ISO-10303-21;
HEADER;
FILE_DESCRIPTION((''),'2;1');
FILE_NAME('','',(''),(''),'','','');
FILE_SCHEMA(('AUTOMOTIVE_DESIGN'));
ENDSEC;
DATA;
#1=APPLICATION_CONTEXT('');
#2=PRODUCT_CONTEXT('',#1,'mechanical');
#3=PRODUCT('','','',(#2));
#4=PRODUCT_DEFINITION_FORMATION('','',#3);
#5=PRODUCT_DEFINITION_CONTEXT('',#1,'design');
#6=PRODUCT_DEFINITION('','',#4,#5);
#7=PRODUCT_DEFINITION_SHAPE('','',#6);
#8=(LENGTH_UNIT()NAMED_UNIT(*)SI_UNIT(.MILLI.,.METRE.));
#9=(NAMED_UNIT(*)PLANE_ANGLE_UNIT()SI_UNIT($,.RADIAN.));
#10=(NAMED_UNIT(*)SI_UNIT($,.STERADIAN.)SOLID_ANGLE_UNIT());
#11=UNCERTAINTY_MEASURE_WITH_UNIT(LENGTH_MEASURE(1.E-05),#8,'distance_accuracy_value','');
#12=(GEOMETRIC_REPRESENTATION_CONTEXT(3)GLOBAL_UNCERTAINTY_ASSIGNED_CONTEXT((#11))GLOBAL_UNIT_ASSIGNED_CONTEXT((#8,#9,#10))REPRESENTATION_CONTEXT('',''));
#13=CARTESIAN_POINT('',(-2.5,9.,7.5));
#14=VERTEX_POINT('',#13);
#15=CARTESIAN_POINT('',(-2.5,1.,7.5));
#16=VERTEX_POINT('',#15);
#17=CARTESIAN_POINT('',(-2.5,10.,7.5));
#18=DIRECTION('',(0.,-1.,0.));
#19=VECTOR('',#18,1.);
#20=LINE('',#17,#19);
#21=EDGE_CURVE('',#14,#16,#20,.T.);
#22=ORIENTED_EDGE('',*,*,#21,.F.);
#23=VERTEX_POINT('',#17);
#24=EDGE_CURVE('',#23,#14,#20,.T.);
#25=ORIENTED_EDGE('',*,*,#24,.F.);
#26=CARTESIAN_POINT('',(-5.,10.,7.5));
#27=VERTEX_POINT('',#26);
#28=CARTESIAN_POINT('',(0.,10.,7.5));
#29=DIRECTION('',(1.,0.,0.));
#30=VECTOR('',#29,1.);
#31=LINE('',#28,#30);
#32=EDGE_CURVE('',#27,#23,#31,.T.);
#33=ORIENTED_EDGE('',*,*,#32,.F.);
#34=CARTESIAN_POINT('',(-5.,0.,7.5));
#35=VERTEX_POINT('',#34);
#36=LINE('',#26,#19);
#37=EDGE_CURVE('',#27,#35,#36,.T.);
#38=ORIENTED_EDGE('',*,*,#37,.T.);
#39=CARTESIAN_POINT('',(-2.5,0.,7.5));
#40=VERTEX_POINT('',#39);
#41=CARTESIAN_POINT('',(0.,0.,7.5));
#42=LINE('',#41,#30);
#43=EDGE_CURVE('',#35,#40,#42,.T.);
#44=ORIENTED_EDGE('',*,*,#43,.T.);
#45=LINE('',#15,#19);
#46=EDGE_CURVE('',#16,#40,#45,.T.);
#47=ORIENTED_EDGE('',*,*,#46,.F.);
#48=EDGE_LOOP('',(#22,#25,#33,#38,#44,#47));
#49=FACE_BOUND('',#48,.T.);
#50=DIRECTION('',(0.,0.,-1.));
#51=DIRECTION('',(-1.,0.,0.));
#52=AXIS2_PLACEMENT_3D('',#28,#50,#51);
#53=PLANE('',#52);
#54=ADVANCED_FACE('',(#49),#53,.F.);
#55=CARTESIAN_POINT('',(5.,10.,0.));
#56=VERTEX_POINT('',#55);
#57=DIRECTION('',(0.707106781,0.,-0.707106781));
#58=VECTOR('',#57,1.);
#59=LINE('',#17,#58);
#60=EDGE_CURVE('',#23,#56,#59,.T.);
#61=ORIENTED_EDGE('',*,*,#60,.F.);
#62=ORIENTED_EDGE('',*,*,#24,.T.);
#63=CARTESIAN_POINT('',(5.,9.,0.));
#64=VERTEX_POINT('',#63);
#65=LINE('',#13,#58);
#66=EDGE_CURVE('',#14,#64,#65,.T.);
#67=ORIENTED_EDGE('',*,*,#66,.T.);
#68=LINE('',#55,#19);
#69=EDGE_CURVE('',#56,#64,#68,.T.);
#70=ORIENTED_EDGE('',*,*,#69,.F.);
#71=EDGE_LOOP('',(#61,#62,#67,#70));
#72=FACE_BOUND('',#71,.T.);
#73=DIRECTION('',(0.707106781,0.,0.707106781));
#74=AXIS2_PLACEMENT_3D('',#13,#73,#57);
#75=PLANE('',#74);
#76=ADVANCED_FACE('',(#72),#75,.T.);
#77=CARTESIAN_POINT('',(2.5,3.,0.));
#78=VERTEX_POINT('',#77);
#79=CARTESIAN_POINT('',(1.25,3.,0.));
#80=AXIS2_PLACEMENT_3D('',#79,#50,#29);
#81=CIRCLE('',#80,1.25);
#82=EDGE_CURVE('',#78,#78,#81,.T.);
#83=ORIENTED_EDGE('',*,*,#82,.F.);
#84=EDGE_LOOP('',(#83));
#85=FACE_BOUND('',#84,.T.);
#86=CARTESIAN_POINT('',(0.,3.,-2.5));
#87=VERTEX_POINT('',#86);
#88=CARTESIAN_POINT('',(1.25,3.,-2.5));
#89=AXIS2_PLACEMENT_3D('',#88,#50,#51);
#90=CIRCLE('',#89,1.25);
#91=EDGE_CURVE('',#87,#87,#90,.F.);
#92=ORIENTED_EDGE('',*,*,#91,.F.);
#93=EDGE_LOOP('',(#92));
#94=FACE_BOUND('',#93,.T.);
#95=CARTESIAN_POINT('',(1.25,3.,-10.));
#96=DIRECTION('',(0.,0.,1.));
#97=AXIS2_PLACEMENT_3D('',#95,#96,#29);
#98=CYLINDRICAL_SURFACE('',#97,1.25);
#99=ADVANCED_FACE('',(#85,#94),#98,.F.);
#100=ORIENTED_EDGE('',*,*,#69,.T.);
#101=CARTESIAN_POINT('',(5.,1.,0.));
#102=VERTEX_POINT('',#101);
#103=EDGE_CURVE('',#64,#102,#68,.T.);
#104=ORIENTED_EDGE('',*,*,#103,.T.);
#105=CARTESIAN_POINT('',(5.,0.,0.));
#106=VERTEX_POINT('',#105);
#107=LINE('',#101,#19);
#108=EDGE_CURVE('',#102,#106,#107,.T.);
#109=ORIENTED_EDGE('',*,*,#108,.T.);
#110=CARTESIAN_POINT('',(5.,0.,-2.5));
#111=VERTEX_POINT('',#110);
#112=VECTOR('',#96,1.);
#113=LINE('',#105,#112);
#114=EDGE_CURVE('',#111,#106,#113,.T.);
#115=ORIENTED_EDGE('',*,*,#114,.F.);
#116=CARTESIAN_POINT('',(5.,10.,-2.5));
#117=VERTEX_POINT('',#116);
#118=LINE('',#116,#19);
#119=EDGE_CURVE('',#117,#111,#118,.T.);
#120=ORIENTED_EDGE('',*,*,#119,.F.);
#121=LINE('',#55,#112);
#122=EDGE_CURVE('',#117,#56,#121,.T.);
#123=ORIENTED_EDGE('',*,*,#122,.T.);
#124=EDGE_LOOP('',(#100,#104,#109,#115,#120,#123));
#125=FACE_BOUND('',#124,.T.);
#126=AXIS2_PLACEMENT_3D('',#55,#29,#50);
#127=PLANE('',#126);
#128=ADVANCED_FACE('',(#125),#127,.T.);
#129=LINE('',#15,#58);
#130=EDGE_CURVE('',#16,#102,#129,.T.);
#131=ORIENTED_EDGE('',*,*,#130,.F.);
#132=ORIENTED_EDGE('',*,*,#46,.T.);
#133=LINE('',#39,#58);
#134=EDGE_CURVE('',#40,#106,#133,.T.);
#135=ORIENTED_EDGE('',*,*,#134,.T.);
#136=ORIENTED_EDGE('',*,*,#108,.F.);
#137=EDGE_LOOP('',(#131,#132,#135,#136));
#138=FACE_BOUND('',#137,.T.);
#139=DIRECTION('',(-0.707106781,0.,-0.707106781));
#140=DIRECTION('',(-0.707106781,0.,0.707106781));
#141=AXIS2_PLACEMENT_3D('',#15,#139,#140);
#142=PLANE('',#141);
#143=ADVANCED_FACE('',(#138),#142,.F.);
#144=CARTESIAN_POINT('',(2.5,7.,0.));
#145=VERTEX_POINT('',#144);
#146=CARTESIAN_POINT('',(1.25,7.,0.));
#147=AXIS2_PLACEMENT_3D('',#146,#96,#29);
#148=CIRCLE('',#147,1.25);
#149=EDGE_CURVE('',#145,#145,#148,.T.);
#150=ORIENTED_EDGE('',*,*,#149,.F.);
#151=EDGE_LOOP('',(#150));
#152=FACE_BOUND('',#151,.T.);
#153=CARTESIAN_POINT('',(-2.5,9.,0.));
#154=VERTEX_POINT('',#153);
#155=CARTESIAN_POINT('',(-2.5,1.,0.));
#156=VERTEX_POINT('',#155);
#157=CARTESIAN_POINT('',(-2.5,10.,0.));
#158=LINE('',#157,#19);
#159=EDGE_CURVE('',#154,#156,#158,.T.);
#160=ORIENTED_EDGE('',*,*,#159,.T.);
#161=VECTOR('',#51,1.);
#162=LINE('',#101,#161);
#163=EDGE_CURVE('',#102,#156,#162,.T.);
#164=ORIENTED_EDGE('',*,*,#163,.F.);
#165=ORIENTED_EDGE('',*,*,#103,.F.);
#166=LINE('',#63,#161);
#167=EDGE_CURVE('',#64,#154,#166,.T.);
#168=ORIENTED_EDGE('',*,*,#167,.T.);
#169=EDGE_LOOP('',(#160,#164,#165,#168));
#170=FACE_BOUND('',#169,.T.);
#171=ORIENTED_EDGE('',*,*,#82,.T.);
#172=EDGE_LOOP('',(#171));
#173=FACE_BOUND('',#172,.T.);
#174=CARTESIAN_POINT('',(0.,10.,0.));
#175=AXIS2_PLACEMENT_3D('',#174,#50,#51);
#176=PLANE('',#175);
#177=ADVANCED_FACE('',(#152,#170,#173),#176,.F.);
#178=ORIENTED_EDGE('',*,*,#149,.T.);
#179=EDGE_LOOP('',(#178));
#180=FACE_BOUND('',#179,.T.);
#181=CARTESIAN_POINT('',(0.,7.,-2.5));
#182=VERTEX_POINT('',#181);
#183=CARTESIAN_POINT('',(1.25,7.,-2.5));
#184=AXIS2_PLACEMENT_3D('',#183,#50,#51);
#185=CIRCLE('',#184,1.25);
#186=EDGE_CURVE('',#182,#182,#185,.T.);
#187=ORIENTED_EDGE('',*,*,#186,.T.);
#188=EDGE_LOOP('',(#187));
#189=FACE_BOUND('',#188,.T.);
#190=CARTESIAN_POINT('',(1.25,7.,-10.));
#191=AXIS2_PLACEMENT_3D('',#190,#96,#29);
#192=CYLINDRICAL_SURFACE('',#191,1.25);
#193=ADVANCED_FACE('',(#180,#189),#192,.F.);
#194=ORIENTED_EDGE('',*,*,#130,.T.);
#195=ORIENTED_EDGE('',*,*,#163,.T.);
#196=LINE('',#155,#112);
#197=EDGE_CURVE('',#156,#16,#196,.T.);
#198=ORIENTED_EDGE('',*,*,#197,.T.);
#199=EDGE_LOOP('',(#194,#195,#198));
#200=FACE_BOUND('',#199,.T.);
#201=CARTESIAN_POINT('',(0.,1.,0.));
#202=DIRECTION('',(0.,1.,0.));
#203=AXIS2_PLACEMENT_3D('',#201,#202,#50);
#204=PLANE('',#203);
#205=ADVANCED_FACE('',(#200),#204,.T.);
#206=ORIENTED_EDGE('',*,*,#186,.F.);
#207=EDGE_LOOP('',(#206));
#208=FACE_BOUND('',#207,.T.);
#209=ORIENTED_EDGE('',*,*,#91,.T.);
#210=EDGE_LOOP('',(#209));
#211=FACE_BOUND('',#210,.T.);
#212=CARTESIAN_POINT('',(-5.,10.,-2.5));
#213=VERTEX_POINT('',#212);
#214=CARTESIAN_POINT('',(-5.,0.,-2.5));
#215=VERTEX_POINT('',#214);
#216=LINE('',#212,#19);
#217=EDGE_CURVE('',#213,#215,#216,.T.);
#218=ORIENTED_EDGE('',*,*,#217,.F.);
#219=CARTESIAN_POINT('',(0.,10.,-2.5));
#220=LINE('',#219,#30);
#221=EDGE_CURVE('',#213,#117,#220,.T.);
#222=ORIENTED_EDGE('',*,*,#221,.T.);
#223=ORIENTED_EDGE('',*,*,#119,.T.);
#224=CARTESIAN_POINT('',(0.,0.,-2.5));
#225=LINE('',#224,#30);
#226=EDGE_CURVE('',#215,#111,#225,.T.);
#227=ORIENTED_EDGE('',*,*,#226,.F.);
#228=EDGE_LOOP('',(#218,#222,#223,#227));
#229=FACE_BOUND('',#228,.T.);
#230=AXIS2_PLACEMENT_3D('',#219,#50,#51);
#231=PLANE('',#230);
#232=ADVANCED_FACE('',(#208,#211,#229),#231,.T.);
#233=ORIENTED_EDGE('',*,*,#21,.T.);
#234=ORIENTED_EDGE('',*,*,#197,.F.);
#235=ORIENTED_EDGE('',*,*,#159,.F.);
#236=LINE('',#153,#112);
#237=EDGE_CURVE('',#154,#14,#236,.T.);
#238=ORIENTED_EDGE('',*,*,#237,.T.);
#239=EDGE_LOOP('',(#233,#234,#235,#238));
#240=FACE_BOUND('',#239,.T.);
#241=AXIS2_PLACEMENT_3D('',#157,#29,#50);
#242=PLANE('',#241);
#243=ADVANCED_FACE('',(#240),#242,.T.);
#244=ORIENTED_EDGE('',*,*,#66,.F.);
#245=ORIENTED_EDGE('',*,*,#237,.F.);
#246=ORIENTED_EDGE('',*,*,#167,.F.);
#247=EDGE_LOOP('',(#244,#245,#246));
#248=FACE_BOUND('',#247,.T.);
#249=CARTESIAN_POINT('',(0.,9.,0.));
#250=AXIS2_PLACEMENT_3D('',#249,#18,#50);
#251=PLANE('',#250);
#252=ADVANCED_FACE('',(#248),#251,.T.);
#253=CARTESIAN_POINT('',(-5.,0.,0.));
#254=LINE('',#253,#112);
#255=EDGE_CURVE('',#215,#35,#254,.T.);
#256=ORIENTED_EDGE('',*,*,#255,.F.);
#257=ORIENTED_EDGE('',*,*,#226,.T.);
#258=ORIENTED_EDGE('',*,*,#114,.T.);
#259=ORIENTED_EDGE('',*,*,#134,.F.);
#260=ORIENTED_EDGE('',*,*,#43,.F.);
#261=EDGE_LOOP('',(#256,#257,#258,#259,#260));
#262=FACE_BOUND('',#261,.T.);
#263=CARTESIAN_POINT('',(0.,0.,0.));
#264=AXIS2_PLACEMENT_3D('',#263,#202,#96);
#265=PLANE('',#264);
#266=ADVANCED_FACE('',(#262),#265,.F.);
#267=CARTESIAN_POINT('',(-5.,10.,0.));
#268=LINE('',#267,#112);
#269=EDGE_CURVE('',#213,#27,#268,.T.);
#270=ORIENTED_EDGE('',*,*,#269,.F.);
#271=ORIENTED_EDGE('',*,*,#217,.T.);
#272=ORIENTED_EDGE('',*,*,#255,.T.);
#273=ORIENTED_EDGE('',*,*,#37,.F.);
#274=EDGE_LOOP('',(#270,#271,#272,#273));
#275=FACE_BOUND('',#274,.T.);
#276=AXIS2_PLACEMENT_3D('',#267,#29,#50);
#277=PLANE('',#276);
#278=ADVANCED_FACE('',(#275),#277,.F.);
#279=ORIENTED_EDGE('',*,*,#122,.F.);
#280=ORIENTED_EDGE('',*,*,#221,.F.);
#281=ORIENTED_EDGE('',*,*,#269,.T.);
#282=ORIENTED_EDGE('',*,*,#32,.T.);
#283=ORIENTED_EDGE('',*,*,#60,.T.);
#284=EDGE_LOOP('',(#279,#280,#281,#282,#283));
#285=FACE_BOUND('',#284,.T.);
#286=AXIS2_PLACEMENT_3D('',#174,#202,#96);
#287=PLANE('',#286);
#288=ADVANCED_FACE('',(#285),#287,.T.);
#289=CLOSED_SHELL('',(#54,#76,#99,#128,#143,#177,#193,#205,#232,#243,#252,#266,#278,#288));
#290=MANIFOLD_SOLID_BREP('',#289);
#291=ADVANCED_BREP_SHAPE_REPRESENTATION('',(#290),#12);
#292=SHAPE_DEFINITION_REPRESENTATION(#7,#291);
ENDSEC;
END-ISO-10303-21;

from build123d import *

# Parameters (mm, degrees)
BOSS_EXTRUDE1_DEPTH = 10
SKETCH3_R           = 1.25
CUT_EXTRUDE1_DEPTH  = 10
BOSS_EXTRUDE2_DEPTH = 1


with BuildPart() as part:
    # Sketch2 → Boss-Extrude1 (new body)
    with BuildSketch(Plane(origin=(0, 0, 0), x_dir=(1, 0, 0), z_dir=(0, 1, 0))):
        Polygon((0, 2.5), (-5, 2.5), (-5, -2.5), (-5, -7.5), (-2.5, -7.5), (-2.5, 0), (5, 0), (5, 2.5), align=None)
    extrude(amount=BOSS_EXTRUDE1_DEPTH)

    # Sketch3 → Cut-Extrude1 (cut)
    with BuildSketch(Plane.XY):
        with Locations((1.25, 7)):
            Circle(SKETCH3_R)
    cut_extrude1 = extrude(amount=-CUT_EXTRUDE1_DEPTH, mode=Mode.SUBTRACT)

    # Mirror1: Cut-Extrude1 across plane
    add(cut_extrude1.mirror(Plane(origin=(0, 5, 0), x_dir=(0, 0, 1), z_dir=(0, -1, 0))), mode=Mode.SUBTRACT)

    # Sketch4 → Boss-Extrude2 (add)
    with BuildSketch(Plane(origin=(0, 10, 0), x_dir=(1, 0, 0), z_dir=(0, 1, 0))):
        Polygon((-2.5, -7.5), (5, 0), (-2.5, 0), align=None)
    boss_extrude2 = extrude(amount=-BOSS_EXTRUDE2_DEPTH)

    # Mirror2: Boss-Extrude2 across plane
    add(boss_extrude2.mirror(Plane(origin=(0, 5, 0), x_dir=(0, 0, 1), z_dir=(0, -1, 0))))


solid = part.part
